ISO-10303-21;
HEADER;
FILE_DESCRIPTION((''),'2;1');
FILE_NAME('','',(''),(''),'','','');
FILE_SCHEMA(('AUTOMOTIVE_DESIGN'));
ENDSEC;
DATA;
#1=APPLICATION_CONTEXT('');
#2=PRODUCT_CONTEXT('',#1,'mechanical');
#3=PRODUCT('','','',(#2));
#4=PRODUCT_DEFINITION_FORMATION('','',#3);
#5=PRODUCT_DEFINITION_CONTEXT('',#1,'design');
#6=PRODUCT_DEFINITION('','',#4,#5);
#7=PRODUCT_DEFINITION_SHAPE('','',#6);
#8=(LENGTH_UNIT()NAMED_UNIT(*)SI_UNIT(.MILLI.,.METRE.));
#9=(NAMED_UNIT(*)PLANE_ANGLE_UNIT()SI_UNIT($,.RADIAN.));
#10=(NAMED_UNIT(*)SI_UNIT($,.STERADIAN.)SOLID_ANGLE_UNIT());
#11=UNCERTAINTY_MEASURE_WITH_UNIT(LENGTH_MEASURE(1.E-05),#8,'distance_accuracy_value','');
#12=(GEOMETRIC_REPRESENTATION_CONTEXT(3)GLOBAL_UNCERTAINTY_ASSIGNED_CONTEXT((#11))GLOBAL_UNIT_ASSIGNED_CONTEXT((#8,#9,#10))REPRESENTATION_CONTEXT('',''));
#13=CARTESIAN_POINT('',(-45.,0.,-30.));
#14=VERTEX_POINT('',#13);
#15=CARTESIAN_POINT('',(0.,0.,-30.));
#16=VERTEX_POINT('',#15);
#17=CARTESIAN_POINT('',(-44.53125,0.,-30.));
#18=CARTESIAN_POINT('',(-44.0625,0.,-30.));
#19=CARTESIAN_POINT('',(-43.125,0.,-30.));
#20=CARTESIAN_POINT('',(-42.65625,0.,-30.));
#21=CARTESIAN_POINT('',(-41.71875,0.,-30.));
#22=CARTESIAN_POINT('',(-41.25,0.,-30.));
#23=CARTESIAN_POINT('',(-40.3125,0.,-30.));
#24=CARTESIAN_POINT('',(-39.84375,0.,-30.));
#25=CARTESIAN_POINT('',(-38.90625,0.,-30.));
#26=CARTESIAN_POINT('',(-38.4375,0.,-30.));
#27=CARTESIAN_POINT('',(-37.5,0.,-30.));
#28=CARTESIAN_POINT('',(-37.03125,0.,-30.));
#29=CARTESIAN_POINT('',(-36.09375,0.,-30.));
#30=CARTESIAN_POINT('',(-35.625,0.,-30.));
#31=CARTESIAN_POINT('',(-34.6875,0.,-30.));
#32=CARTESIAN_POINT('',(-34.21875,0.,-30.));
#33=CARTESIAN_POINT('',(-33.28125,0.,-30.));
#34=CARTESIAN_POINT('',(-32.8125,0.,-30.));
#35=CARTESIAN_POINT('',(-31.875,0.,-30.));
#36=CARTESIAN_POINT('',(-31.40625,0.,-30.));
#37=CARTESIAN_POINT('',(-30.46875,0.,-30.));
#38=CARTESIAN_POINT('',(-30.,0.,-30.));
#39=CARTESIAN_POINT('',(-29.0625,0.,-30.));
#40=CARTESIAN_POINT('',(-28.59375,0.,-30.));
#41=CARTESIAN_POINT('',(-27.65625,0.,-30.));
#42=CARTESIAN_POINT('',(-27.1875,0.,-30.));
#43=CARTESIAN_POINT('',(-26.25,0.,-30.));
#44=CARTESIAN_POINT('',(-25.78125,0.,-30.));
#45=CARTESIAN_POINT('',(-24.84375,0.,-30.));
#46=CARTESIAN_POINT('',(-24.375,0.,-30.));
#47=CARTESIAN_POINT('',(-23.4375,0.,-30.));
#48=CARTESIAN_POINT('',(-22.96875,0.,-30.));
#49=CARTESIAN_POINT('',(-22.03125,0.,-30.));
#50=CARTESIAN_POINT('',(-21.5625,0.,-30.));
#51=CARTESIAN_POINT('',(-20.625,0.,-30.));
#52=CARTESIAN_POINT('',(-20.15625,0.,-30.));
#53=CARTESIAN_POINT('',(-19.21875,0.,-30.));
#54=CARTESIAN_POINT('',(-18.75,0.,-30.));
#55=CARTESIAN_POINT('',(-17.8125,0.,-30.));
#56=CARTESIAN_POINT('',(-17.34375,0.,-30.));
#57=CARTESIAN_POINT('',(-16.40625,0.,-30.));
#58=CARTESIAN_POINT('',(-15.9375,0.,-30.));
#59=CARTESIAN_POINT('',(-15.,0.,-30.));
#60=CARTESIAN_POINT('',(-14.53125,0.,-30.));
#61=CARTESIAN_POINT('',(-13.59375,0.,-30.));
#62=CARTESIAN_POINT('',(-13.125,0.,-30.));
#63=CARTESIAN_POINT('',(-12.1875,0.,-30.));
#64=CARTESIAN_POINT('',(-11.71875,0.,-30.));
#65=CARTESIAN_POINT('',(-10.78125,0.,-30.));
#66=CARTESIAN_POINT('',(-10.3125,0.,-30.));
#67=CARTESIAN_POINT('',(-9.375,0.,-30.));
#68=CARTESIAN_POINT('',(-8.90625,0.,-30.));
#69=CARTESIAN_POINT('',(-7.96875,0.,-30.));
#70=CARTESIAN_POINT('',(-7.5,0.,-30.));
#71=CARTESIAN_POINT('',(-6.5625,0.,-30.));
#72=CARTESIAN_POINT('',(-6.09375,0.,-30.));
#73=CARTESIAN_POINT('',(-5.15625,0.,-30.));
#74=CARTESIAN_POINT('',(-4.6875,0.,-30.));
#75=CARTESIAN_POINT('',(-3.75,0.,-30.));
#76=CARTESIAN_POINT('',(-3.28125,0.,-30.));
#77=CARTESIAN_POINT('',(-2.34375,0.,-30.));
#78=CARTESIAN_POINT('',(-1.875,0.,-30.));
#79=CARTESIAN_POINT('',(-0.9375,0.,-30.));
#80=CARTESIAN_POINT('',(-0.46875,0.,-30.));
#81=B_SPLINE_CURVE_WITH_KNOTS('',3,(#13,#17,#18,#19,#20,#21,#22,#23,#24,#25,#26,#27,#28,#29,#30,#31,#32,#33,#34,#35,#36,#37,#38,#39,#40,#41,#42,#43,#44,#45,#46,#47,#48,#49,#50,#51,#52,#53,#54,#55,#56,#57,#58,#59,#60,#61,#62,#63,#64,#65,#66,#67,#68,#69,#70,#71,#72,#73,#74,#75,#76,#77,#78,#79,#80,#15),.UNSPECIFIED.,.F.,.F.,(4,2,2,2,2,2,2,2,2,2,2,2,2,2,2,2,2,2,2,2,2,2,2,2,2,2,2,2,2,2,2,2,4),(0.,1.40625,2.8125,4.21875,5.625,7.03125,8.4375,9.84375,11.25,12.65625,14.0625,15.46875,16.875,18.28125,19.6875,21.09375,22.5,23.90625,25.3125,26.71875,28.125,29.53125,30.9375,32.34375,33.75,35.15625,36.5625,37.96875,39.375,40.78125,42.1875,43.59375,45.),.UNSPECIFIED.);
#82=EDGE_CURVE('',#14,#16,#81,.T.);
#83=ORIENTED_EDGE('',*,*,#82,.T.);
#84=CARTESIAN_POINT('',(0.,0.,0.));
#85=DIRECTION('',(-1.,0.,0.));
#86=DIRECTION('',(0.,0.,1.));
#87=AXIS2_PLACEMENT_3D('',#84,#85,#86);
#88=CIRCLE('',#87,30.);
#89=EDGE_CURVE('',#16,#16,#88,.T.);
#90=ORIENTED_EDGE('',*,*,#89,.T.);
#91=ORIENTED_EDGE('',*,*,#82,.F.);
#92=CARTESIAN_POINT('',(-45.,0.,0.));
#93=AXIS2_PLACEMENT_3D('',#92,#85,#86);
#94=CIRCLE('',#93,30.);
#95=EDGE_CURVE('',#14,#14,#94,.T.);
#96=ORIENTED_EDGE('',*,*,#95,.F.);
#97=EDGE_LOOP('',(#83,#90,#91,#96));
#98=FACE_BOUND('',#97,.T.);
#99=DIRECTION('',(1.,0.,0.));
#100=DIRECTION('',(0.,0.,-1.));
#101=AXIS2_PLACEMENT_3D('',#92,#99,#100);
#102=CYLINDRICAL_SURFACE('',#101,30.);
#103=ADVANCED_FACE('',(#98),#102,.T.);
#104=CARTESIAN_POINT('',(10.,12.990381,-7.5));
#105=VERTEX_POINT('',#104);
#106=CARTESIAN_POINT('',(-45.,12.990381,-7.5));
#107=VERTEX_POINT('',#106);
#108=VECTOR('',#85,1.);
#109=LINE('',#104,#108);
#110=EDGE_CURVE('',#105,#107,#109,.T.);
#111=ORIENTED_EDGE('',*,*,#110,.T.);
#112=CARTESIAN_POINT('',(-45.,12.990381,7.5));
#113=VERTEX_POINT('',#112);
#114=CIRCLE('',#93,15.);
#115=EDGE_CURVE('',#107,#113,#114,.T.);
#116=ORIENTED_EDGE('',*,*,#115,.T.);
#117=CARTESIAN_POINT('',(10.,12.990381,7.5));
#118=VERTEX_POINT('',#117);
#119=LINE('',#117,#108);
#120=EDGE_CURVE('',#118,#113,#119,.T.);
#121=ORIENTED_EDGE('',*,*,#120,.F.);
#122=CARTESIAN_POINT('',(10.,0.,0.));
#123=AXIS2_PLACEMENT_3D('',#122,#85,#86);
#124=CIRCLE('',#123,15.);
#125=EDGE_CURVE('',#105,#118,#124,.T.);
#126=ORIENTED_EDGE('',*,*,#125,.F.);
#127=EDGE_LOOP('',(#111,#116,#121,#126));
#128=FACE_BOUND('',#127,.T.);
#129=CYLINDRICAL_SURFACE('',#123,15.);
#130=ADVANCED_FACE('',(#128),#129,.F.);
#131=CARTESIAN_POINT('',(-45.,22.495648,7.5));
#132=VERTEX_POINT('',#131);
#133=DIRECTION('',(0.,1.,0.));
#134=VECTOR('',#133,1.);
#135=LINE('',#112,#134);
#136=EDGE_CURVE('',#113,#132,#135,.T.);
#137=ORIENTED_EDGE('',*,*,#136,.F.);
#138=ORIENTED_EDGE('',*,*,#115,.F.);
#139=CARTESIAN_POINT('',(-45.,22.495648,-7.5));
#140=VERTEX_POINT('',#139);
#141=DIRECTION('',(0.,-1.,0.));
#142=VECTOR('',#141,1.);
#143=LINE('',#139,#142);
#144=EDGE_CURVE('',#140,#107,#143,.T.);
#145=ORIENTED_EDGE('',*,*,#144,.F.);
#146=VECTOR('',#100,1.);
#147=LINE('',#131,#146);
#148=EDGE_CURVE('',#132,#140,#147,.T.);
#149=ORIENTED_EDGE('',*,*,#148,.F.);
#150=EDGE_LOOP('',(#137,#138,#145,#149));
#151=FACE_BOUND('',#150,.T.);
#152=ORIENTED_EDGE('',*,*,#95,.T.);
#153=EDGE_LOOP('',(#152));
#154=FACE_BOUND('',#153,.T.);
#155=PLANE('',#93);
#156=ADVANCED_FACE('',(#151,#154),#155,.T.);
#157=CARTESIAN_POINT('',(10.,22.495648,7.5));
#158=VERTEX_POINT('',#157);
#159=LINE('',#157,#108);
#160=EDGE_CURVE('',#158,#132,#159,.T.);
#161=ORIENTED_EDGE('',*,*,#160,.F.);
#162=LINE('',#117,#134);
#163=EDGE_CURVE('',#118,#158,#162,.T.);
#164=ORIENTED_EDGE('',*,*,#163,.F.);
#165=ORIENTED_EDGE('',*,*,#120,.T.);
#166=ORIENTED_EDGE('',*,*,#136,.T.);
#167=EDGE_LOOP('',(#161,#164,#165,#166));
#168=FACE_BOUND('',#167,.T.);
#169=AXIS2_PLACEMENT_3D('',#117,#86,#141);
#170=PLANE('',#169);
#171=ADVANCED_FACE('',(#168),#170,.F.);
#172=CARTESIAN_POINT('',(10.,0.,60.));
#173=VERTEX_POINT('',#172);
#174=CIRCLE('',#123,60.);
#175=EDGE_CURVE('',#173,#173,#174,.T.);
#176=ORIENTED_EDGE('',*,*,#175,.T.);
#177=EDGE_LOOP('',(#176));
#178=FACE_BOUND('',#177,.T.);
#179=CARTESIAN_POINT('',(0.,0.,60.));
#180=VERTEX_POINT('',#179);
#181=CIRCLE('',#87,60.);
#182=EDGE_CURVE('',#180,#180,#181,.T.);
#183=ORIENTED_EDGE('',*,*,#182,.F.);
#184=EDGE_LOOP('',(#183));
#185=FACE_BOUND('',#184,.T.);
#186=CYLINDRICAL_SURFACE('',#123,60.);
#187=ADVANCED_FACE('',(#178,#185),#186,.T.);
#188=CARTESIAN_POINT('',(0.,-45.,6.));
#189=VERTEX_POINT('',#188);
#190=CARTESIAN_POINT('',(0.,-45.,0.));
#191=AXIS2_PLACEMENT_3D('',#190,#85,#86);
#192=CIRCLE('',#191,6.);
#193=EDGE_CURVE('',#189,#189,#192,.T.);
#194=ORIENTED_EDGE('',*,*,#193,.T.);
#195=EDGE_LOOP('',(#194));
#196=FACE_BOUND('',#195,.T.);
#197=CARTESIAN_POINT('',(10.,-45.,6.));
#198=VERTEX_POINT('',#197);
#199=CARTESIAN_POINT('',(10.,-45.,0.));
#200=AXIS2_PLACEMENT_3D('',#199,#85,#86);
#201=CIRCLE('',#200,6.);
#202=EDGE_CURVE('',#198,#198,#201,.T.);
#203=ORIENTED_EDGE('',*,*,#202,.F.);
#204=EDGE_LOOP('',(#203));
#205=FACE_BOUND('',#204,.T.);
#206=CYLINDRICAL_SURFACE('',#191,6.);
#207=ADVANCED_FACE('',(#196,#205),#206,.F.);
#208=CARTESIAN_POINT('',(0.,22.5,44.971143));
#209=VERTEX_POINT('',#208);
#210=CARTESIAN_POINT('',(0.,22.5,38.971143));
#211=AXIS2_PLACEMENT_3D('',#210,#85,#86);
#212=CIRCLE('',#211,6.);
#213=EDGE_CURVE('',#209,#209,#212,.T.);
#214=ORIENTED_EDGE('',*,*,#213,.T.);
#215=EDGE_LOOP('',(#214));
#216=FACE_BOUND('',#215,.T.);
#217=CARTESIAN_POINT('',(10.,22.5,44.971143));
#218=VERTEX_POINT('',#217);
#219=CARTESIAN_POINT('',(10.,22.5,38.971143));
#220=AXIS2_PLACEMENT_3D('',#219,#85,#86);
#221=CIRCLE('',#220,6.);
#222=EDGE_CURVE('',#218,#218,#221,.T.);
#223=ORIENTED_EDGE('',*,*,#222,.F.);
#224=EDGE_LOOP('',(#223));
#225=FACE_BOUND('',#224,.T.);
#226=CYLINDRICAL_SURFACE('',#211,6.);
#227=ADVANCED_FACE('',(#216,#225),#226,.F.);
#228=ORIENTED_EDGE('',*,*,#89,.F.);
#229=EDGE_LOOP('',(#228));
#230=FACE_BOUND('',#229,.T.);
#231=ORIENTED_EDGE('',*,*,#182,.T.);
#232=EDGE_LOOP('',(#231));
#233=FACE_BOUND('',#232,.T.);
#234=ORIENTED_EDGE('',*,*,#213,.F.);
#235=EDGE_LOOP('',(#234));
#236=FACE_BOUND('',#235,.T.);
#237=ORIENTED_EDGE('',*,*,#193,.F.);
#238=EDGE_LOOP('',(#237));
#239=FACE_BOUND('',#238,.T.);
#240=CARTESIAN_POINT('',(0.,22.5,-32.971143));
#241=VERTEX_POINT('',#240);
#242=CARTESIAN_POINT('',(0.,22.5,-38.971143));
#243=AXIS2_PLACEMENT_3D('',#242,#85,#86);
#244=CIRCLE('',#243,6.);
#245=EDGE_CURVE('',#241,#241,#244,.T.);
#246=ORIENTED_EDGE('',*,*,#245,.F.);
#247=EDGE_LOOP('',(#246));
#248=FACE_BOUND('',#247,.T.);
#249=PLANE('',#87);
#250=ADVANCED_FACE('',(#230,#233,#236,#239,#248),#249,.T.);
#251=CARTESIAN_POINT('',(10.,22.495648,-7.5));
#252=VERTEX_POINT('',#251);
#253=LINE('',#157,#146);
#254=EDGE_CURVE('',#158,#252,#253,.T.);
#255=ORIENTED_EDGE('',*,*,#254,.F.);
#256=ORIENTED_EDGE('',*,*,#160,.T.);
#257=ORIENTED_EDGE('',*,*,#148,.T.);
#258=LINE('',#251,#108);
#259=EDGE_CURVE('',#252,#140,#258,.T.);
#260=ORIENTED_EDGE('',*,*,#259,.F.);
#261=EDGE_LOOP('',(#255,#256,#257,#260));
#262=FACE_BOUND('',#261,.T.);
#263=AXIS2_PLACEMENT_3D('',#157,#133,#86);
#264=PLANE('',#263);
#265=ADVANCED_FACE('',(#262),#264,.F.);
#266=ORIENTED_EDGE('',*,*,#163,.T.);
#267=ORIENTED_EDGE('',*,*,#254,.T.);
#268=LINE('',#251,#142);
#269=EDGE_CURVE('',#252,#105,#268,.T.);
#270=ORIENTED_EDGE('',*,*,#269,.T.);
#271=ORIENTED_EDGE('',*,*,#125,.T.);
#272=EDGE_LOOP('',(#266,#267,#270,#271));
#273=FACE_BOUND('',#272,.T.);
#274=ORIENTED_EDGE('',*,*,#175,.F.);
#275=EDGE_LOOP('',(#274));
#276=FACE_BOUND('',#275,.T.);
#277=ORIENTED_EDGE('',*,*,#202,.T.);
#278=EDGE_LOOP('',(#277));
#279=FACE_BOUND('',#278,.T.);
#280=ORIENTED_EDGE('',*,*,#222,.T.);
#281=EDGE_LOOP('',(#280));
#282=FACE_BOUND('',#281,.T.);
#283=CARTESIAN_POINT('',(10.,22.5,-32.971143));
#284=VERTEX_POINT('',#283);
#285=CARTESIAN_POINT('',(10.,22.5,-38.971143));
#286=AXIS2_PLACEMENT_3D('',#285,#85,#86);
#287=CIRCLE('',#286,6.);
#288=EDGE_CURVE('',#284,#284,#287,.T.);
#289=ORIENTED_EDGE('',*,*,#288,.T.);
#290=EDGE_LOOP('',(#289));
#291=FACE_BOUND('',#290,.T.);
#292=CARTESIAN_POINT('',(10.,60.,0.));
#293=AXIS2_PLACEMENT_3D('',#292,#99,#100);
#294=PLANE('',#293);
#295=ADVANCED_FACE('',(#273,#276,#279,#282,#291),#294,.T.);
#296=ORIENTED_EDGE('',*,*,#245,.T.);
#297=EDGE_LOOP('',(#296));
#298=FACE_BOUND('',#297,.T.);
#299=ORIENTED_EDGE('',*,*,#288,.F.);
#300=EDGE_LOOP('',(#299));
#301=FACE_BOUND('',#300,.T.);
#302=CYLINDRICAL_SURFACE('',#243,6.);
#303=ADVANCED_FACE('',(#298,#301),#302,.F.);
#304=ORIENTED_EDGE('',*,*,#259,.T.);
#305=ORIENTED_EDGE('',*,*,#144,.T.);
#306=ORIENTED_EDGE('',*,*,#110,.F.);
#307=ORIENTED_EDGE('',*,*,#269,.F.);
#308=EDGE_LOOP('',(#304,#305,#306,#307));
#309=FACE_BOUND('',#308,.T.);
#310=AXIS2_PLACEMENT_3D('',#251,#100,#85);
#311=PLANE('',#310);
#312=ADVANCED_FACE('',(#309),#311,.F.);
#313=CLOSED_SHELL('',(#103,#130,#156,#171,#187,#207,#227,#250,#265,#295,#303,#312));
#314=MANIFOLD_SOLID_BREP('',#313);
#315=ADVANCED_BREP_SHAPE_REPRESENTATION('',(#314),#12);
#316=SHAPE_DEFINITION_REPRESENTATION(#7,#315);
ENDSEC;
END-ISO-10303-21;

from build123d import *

# Parameters (mm, degrees)
SKETCH1_W                  = 10
SKETCH1_H                  = 60
SKETCH2_R                  = 30
BOSS_EXTRUDE1_DEPTH        = 45
CUT_EXTRUDE1_DEPTH         = 102.118742081
SKETCH4_W                  = 55
SKETCH4_H                  = 15
F_12_0_12_DIAMETER_HOLE1_D = 12


with BuildPart() as part:
    # Sketch1 → Revolve1 (revolve)
    with BuildSketch(Plane(origin=(0, 0, 0), x_dir=(-1, 0, 0), z_dir=(0, 0, -1)), mode=Mode.PRIVATE) as revolve1_sk:
        with Locations((-5, 30)):
            Rectangle(SKETCH1_W, SKETCH1_H)
    revolve(revolve1_sk.sketch.rotate(Axis((10, 0, 0), (-1, 0, 0)), 270), axis=Axis((10, 0, 0), (-1, 0, 0)))

    # Sketch2 → Boss-Extrude1 (add)
    with BuildSketch(Plane.ZY):
        with Locations(Location((0, 0, 0), (0, 0, 180))):
            Circle(SKETCH2_R)
    extrude(amount=BOSS_EXTRUDE1_DEPTH)

    # Sketch3 → Cut-Extrude1 (cut, through all)
    with BuildSketch(Plane.ZY.offset(45)):
        with BuildLine():
            Line((-7.5, 22.495647676), (-7.5, 12.990381057))
            ThreePointArc((-7.5, 12.990381057), (0, 15), (7.5, 12.990381057))
            Line((7.5, 12.990381057), (7.5, 22.495647676))
            Line((7.5, 22.495647676), (-7.5, 22.495647676))
        make_face()
    extrude(amount=-CUT_EXTRUDE1_DEPTH, mode=Mode.SUBTRACT)

    # Sketch4 → Cut-Revolve1 (revolve, cut)
    with BuildSketch(Plane(origin=(0, 0, 0), x_dir=(-1, 0, 0), z_dir=(0, 0, -1))):
        with Locations((17.5, 7.5)):
            Rectangle(SKETCH4_W, SKETCH4_H)
    revolve(axis=Axis((10, 0, 0), (-1, 0, 0)), mode=Mode.SUBTRACT)

    # Ø12.0 (12) Diameter Hole1 (through all)
    with Locations(Plane.ZY):
        with Locations((-38.97114317, 22.5), (38.97114317, 22.5), (0, -45)):
            Hole(F_12_0_12_DIAMETER_HOLE1_D / 2)


solid = part.part
